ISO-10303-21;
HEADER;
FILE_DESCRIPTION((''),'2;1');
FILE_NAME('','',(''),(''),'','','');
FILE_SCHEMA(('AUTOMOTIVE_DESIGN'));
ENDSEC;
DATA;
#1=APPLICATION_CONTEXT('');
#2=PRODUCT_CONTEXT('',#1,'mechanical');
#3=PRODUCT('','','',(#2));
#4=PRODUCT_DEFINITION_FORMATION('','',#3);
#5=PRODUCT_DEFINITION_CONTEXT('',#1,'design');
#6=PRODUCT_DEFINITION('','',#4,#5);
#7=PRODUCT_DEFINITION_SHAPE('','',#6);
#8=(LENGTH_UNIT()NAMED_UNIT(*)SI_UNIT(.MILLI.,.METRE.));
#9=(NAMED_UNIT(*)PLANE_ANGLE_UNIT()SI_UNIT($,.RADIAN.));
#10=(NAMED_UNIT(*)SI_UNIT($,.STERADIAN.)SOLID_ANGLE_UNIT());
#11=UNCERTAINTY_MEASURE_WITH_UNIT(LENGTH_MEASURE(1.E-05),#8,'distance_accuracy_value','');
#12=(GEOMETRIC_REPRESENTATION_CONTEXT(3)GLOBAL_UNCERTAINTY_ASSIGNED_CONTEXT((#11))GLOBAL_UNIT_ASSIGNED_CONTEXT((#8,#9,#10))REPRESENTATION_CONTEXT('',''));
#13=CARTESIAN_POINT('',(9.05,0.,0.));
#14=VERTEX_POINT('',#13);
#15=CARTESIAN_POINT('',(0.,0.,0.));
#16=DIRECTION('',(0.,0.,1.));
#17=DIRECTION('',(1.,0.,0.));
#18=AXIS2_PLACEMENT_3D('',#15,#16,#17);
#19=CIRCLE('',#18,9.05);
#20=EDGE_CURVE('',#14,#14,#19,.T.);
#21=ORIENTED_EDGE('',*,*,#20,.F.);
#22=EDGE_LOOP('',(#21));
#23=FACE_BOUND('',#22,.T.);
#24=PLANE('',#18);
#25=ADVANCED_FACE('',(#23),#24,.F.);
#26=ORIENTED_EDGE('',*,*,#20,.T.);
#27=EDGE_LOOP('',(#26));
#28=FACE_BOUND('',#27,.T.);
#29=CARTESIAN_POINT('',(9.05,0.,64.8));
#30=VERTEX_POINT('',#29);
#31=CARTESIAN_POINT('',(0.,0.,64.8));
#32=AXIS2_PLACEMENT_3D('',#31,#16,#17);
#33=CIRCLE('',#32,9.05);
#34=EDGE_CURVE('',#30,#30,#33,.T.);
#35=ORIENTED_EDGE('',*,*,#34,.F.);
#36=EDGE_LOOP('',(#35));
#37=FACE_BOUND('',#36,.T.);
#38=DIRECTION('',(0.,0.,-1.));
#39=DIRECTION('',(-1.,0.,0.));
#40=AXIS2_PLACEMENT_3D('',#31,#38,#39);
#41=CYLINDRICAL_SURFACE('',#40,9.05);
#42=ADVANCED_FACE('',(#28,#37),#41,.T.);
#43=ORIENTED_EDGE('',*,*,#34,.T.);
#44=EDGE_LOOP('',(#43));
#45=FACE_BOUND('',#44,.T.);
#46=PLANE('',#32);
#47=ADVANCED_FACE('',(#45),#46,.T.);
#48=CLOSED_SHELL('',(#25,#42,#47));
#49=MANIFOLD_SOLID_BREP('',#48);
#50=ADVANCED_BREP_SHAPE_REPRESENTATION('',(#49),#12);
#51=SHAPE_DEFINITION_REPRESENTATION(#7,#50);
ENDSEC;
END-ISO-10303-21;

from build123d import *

# Parameters (mm, degrees)
SKETCH1_R  = 9.05
CELL_DEPTH = 64.8


with BuildPart() as part:
    # Sketch1 → Cell (new body)
    with BuildSketch(Plane.XY):
        Circle(SKETCH1_R)
    extrude(amount=CELL_DEPTH)


solid = part.part
